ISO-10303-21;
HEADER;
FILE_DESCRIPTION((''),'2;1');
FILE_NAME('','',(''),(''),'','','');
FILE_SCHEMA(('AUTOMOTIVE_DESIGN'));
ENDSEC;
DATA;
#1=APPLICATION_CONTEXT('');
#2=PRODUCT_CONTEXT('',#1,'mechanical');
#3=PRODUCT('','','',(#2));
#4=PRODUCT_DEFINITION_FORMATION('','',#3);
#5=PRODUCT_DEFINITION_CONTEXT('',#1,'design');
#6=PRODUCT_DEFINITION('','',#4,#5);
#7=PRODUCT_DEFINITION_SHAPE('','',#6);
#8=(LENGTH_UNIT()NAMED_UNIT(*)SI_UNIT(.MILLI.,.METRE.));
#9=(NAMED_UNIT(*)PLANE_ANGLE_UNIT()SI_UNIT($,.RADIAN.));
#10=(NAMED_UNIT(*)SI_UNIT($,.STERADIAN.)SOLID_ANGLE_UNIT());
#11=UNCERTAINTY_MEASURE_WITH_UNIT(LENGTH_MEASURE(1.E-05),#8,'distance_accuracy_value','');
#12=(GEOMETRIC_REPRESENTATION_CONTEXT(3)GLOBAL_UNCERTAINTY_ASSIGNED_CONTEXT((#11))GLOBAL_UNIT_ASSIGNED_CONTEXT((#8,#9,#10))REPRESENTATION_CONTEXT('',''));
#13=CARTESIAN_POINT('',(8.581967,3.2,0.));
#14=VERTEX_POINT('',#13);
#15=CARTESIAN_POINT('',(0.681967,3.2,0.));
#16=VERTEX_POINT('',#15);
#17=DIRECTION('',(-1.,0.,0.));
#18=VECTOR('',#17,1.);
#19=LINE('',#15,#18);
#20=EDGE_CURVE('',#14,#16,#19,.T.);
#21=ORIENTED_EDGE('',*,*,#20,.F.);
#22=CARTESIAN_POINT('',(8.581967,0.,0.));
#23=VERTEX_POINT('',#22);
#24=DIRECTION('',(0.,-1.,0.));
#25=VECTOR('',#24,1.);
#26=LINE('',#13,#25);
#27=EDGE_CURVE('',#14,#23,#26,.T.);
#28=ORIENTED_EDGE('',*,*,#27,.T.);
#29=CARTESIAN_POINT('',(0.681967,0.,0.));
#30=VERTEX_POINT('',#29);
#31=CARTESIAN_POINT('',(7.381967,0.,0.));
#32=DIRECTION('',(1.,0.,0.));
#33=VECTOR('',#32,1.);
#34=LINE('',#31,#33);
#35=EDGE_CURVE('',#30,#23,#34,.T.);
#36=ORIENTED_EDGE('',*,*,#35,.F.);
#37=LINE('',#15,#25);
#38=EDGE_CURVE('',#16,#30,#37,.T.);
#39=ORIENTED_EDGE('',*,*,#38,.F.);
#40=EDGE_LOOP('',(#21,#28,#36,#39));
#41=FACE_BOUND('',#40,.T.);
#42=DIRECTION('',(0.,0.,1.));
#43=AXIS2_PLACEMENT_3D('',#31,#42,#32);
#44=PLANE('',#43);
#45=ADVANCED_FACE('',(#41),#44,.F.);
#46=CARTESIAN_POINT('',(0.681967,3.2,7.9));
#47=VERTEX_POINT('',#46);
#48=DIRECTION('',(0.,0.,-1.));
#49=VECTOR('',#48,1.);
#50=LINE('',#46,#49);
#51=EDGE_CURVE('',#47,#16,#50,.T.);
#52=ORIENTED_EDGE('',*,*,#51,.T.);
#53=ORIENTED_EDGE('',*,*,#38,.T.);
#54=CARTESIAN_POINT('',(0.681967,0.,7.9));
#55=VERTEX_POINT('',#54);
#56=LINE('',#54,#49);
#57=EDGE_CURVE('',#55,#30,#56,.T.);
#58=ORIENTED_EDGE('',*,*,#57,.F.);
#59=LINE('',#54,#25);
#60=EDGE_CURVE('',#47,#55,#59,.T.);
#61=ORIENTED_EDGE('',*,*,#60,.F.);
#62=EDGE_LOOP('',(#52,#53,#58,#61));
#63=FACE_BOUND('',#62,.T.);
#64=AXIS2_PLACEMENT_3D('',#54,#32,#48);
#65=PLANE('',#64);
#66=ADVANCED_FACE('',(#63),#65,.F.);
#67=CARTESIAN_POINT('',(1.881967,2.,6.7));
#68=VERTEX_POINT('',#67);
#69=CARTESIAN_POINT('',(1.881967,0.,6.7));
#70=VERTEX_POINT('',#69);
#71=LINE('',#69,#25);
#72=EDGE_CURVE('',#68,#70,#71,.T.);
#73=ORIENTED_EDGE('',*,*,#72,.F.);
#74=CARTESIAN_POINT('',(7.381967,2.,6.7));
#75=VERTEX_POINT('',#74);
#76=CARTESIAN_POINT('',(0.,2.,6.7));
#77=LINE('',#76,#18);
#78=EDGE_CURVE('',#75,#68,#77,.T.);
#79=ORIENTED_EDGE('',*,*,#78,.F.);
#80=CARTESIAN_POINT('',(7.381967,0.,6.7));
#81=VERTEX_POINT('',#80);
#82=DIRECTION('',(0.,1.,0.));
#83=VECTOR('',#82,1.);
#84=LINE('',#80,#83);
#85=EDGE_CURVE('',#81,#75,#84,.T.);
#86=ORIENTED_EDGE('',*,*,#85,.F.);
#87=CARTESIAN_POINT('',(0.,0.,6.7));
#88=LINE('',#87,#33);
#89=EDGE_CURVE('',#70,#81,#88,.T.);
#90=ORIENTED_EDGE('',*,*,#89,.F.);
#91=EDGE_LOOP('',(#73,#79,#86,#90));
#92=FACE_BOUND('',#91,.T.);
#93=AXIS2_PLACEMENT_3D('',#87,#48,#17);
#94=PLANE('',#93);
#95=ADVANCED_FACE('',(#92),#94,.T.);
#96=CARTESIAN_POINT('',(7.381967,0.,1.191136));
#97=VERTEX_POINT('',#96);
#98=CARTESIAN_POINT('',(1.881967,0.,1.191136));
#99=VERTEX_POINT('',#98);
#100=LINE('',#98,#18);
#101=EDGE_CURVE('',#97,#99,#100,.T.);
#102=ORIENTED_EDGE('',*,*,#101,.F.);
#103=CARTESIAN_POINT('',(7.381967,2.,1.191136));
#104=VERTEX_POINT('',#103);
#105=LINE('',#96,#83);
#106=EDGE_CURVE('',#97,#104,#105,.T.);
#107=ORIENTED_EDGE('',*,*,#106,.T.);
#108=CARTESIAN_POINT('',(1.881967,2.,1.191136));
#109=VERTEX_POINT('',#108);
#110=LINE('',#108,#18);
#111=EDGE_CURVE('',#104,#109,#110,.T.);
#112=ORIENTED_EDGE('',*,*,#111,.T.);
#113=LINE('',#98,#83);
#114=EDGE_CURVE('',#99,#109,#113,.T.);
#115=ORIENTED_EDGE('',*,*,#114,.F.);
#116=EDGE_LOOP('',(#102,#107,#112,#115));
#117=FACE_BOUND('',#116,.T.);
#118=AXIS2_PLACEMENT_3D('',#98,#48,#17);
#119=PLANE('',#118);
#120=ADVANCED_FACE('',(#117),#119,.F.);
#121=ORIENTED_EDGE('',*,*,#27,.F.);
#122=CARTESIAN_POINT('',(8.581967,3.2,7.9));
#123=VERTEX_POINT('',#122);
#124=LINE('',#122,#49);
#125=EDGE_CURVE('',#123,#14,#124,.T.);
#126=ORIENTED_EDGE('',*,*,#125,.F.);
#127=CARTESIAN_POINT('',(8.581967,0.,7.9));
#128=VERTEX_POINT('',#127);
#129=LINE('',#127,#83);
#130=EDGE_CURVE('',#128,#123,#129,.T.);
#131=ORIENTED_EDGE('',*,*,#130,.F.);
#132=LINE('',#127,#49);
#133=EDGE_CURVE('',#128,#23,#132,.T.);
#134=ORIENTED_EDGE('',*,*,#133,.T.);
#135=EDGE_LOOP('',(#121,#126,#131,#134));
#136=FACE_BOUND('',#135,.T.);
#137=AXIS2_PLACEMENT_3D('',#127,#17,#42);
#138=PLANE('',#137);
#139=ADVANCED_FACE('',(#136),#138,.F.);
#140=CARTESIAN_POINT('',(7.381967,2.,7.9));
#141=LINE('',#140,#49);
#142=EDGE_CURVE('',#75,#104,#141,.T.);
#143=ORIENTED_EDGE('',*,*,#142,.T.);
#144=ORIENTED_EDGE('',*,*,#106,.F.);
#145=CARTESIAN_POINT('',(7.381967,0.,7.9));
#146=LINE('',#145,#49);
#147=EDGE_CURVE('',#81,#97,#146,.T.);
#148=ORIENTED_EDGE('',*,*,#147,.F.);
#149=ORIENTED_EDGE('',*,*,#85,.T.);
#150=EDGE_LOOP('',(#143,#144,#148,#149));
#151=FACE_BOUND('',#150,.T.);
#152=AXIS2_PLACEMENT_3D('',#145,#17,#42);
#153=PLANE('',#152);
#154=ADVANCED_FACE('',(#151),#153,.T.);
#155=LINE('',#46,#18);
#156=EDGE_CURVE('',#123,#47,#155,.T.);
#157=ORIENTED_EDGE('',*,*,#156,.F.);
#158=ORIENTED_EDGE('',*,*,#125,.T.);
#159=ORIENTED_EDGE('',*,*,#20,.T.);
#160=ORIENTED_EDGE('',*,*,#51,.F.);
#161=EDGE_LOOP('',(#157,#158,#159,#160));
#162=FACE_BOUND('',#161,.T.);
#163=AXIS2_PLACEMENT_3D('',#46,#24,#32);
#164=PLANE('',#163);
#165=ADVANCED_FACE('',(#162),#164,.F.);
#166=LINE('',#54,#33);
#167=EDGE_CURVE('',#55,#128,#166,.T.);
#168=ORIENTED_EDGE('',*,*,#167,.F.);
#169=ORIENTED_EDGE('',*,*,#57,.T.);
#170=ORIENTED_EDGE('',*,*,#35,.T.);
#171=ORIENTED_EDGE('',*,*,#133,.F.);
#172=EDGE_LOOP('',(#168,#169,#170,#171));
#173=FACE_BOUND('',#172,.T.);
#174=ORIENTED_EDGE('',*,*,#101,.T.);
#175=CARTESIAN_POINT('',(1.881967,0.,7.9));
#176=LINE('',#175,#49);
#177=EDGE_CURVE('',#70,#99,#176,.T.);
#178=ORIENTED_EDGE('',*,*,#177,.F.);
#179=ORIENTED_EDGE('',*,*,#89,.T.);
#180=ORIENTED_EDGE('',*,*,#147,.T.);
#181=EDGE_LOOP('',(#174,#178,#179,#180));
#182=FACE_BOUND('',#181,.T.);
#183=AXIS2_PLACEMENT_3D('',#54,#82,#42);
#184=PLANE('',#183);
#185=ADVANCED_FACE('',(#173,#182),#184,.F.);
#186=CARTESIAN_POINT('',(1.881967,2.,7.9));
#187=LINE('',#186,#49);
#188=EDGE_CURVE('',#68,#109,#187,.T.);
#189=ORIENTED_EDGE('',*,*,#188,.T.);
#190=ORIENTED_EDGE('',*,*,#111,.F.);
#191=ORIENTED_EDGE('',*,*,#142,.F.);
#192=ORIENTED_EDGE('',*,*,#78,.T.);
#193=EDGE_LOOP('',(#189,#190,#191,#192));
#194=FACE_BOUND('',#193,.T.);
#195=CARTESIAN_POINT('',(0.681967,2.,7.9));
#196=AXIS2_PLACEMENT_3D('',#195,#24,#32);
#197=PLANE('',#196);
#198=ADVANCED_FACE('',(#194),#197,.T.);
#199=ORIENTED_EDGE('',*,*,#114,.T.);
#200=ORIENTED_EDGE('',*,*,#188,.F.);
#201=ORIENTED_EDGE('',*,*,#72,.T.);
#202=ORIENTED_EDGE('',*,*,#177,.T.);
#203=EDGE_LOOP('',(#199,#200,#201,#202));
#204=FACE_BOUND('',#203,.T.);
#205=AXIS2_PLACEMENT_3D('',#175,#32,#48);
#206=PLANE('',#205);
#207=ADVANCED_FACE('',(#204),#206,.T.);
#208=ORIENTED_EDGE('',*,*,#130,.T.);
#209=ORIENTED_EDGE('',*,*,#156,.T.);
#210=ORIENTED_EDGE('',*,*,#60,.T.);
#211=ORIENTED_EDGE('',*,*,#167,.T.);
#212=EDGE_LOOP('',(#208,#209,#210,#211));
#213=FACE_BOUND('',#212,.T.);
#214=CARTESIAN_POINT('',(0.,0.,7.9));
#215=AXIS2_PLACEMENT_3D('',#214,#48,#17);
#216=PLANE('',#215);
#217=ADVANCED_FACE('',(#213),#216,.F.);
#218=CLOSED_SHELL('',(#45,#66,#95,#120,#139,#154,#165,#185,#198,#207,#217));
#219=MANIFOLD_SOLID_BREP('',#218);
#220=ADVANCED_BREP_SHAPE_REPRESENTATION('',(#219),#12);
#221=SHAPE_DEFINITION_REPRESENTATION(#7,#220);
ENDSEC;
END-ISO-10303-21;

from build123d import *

# Parameters (mm, degrees)
MAINBASESKETCH_W         = 7.9
MAINBASESKETCH_H         = 3.2
MAINBASEEXTRUDE_DEPTH    = 7.9
MAINBASESHELL_T          = -1.2
SKETCH171_W              = 5.5
SKETCH171_H              = 1.191135725
BOSS_EXTRUDE23_DEPTH     = 2
CUT_EXTRUDE58_DEPTH      = 12.83470157
CUT_EXTRUDE58_DEPTH_BACK = 12.83470157


with BuildPart() as part:
    # MainBaseSketch → MainBaseExtrude (new, symmetric)
    with BuildSketch(Plane.XY):
        with Locations((4.631967213, 1.6)):
            Rectangle(MAINBASESKETCH_W, MAINBASESKETCH_H)
    extrude(amount=MAINBASEEXTRUDE_DEPTH, both=True)

    # MainBaseShell
    mainbaseshell_openings = [part.faces().sort_by_distance(p)[0] for p in [
        (4.631967213, 0, 0),
    ]]
    offset(amount=MAINBASESHELL_T, openings=mainbaseshell_openings, kind=Kind.INTERSECTION)

    # Sketch171 → Boss-Extrude23 (add)
    with BuildSketch(Plane(origin=(0, 2, 0), x_dir=(-1, 0, 0), z_dir=(0, -1, 0))):
        with Locations((-4.631967213, -0.595567863)):
            Rectangle(SKETCH171_W, SKETCH171_H)
    extrude(amount=BOSS_EXTRUDE23_DEPTH)

    # Sketch173 → Cut-Extrude58 (cut, two sides: drawn at the far end of the back side and taken through both)
    with BuildSketch(Plane(origin=(0, 2, 0), x_dir=(-1, 0, 0), z_dir=(0, -1, 0)).offset(-CUT_EXTRUDE58_DEPTH_BACK)):
        Polygon((-7.381967213, 0), (-8.581967213, 0), (-8.581967213, 7.9), (-0.681967213, 7.9), (-0.681967213, 0), align=None)
    extrude(amount=CUT_EXTRUDE58_DEPTH + CUT_EXTRUDE58_DEPTH_BACK, mode=Mode.SUBTRACT)


solid = part.part
